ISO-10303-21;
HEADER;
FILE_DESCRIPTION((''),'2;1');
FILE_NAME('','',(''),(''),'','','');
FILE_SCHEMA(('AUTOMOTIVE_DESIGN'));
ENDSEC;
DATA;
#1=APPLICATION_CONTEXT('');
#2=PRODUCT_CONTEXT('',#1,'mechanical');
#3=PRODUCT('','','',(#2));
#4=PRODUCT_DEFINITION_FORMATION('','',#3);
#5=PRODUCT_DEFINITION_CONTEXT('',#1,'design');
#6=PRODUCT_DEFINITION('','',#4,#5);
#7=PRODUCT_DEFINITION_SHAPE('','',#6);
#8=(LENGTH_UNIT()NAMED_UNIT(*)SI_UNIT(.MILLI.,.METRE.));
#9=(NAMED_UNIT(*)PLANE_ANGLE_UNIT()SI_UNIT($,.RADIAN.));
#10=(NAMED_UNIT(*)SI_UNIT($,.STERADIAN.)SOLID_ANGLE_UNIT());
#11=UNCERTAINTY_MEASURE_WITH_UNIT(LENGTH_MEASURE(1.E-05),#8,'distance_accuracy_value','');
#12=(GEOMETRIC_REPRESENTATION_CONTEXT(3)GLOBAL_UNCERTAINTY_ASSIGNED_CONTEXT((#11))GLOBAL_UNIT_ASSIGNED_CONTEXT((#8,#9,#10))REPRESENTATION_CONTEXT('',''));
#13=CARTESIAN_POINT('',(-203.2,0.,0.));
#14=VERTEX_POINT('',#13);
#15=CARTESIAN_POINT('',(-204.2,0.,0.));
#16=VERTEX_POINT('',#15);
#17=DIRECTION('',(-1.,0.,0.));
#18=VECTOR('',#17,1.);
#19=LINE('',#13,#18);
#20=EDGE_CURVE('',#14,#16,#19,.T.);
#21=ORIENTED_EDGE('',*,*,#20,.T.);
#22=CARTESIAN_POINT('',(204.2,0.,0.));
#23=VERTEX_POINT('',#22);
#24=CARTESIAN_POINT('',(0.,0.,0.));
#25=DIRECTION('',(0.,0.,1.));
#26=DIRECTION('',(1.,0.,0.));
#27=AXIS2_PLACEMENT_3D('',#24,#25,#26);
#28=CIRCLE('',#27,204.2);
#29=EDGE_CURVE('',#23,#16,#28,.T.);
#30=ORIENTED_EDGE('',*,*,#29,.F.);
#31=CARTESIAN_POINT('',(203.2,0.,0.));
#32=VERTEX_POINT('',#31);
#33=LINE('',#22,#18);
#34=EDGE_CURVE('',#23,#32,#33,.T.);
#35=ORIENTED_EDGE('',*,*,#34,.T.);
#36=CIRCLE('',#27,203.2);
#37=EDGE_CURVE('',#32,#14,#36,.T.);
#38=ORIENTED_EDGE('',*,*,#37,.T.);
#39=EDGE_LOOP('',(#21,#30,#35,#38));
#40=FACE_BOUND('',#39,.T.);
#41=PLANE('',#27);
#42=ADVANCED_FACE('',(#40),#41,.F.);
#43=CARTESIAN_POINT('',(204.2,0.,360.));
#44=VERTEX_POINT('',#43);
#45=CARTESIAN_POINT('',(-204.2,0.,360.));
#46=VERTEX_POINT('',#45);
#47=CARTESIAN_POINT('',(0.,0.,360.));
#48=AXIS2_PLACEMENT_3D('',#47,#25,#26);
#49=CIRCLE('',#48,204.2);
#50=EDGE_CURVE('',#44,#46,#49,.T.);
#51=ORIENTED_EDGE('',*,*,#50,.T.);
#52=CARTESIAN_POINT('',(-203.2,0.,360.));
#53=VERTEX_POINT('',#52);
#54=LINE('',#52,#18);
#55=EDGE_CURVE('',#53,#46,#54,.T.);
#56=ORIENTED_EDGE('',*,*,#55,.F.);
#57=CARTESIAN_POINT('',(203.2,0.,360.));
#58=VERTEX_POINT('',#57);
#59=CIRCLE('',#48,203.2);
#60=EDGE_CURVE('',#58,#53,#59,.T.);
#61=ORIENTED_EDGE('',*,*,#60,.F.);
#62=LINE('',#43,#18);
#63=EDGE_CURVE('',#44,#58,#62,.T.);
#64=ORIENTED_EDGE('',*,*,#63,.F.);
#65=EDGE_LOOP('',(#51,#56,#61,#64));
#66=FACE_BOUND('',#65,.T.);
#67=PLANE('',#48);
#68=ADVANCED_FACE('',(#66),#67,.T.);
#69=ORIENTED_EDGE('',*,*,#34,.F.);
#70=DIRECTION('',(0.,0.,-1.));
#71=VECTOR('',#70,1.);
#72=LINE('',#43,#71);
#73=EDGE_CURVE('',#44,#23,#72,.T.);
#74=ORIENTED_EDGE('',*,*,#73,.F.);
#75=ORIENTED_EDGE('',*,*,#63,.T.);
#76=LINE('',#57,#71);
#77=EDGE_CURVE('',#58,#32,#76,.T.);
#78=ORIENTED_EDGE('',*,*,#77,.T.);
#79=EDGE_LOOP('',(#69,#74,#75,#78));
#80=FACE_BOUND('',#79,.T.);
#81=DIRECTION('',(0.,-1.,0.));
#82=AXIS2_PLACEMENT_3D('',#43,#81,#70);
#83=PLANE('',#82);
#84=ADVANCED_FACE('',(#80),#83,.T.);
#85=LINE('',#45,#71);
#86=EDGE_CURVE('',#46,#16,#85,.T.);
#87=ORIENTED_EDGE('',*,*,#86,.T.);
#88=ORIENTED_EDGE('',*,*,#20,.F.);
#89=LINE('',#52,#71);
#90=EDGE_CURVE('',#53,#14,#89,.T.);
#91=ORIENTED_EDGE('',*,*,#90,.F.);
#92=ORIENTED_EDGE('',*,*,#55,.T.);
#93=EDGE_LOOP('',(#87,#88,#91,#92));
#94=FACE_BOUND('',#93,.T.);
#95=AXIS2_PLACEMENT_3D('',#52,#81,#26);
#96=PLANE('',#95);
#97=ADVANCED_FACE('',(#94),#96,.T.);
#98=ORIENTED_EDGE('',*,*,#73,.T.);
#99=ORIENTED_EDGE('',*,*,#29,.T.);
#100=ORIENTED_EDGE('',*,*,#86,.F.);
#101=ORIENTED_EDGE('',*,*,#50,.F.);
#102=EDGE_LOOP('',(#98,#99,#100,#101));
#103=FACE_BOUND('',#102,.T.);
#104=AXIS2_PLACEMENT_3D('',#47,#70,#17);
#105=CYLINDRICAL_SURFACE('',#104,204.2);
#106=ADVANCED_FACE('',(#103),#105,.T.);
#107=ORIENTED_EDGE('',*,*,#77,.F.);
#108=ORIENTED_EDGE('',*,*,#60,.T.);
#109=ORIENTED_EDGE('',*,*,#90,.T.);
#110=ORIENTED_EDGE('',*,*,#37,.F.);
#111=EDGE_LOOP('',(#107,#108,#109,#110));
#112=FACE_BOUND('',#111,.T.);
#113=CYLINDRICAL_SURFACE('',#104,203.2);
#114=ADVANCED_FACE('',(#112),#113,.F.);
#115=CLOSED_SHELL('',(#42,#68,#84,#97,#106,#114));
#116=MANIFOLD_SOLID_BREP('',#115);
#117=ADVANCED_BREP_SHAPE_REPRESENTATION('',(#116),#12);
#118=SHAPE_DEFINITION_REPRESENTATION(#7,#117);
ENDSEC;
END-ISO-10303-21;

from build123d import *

# Parameters (mm, degrees)
EXTRUDE_THIN1_DEPTH = 360


with BuildPart() as part:
    # Sketch1 → Extrude-Thin1 (new body)
    with BuildSketch(Plane.XY):
        with BuildLine():
            ThreePointArc((203.2, 0), (0, 203.2), (-203.2, 0))
            Line((-203.2, 0), (-204.2, 0))
            ThreePointArc((-204.2, 0), (0, 204.2), (204.2, 0))
            Line((204.2, 0), (203.2, 0))
        make_face()
    extrude(amount=EXTRUDE_THIN1_DEPTH)


solid = part.part
